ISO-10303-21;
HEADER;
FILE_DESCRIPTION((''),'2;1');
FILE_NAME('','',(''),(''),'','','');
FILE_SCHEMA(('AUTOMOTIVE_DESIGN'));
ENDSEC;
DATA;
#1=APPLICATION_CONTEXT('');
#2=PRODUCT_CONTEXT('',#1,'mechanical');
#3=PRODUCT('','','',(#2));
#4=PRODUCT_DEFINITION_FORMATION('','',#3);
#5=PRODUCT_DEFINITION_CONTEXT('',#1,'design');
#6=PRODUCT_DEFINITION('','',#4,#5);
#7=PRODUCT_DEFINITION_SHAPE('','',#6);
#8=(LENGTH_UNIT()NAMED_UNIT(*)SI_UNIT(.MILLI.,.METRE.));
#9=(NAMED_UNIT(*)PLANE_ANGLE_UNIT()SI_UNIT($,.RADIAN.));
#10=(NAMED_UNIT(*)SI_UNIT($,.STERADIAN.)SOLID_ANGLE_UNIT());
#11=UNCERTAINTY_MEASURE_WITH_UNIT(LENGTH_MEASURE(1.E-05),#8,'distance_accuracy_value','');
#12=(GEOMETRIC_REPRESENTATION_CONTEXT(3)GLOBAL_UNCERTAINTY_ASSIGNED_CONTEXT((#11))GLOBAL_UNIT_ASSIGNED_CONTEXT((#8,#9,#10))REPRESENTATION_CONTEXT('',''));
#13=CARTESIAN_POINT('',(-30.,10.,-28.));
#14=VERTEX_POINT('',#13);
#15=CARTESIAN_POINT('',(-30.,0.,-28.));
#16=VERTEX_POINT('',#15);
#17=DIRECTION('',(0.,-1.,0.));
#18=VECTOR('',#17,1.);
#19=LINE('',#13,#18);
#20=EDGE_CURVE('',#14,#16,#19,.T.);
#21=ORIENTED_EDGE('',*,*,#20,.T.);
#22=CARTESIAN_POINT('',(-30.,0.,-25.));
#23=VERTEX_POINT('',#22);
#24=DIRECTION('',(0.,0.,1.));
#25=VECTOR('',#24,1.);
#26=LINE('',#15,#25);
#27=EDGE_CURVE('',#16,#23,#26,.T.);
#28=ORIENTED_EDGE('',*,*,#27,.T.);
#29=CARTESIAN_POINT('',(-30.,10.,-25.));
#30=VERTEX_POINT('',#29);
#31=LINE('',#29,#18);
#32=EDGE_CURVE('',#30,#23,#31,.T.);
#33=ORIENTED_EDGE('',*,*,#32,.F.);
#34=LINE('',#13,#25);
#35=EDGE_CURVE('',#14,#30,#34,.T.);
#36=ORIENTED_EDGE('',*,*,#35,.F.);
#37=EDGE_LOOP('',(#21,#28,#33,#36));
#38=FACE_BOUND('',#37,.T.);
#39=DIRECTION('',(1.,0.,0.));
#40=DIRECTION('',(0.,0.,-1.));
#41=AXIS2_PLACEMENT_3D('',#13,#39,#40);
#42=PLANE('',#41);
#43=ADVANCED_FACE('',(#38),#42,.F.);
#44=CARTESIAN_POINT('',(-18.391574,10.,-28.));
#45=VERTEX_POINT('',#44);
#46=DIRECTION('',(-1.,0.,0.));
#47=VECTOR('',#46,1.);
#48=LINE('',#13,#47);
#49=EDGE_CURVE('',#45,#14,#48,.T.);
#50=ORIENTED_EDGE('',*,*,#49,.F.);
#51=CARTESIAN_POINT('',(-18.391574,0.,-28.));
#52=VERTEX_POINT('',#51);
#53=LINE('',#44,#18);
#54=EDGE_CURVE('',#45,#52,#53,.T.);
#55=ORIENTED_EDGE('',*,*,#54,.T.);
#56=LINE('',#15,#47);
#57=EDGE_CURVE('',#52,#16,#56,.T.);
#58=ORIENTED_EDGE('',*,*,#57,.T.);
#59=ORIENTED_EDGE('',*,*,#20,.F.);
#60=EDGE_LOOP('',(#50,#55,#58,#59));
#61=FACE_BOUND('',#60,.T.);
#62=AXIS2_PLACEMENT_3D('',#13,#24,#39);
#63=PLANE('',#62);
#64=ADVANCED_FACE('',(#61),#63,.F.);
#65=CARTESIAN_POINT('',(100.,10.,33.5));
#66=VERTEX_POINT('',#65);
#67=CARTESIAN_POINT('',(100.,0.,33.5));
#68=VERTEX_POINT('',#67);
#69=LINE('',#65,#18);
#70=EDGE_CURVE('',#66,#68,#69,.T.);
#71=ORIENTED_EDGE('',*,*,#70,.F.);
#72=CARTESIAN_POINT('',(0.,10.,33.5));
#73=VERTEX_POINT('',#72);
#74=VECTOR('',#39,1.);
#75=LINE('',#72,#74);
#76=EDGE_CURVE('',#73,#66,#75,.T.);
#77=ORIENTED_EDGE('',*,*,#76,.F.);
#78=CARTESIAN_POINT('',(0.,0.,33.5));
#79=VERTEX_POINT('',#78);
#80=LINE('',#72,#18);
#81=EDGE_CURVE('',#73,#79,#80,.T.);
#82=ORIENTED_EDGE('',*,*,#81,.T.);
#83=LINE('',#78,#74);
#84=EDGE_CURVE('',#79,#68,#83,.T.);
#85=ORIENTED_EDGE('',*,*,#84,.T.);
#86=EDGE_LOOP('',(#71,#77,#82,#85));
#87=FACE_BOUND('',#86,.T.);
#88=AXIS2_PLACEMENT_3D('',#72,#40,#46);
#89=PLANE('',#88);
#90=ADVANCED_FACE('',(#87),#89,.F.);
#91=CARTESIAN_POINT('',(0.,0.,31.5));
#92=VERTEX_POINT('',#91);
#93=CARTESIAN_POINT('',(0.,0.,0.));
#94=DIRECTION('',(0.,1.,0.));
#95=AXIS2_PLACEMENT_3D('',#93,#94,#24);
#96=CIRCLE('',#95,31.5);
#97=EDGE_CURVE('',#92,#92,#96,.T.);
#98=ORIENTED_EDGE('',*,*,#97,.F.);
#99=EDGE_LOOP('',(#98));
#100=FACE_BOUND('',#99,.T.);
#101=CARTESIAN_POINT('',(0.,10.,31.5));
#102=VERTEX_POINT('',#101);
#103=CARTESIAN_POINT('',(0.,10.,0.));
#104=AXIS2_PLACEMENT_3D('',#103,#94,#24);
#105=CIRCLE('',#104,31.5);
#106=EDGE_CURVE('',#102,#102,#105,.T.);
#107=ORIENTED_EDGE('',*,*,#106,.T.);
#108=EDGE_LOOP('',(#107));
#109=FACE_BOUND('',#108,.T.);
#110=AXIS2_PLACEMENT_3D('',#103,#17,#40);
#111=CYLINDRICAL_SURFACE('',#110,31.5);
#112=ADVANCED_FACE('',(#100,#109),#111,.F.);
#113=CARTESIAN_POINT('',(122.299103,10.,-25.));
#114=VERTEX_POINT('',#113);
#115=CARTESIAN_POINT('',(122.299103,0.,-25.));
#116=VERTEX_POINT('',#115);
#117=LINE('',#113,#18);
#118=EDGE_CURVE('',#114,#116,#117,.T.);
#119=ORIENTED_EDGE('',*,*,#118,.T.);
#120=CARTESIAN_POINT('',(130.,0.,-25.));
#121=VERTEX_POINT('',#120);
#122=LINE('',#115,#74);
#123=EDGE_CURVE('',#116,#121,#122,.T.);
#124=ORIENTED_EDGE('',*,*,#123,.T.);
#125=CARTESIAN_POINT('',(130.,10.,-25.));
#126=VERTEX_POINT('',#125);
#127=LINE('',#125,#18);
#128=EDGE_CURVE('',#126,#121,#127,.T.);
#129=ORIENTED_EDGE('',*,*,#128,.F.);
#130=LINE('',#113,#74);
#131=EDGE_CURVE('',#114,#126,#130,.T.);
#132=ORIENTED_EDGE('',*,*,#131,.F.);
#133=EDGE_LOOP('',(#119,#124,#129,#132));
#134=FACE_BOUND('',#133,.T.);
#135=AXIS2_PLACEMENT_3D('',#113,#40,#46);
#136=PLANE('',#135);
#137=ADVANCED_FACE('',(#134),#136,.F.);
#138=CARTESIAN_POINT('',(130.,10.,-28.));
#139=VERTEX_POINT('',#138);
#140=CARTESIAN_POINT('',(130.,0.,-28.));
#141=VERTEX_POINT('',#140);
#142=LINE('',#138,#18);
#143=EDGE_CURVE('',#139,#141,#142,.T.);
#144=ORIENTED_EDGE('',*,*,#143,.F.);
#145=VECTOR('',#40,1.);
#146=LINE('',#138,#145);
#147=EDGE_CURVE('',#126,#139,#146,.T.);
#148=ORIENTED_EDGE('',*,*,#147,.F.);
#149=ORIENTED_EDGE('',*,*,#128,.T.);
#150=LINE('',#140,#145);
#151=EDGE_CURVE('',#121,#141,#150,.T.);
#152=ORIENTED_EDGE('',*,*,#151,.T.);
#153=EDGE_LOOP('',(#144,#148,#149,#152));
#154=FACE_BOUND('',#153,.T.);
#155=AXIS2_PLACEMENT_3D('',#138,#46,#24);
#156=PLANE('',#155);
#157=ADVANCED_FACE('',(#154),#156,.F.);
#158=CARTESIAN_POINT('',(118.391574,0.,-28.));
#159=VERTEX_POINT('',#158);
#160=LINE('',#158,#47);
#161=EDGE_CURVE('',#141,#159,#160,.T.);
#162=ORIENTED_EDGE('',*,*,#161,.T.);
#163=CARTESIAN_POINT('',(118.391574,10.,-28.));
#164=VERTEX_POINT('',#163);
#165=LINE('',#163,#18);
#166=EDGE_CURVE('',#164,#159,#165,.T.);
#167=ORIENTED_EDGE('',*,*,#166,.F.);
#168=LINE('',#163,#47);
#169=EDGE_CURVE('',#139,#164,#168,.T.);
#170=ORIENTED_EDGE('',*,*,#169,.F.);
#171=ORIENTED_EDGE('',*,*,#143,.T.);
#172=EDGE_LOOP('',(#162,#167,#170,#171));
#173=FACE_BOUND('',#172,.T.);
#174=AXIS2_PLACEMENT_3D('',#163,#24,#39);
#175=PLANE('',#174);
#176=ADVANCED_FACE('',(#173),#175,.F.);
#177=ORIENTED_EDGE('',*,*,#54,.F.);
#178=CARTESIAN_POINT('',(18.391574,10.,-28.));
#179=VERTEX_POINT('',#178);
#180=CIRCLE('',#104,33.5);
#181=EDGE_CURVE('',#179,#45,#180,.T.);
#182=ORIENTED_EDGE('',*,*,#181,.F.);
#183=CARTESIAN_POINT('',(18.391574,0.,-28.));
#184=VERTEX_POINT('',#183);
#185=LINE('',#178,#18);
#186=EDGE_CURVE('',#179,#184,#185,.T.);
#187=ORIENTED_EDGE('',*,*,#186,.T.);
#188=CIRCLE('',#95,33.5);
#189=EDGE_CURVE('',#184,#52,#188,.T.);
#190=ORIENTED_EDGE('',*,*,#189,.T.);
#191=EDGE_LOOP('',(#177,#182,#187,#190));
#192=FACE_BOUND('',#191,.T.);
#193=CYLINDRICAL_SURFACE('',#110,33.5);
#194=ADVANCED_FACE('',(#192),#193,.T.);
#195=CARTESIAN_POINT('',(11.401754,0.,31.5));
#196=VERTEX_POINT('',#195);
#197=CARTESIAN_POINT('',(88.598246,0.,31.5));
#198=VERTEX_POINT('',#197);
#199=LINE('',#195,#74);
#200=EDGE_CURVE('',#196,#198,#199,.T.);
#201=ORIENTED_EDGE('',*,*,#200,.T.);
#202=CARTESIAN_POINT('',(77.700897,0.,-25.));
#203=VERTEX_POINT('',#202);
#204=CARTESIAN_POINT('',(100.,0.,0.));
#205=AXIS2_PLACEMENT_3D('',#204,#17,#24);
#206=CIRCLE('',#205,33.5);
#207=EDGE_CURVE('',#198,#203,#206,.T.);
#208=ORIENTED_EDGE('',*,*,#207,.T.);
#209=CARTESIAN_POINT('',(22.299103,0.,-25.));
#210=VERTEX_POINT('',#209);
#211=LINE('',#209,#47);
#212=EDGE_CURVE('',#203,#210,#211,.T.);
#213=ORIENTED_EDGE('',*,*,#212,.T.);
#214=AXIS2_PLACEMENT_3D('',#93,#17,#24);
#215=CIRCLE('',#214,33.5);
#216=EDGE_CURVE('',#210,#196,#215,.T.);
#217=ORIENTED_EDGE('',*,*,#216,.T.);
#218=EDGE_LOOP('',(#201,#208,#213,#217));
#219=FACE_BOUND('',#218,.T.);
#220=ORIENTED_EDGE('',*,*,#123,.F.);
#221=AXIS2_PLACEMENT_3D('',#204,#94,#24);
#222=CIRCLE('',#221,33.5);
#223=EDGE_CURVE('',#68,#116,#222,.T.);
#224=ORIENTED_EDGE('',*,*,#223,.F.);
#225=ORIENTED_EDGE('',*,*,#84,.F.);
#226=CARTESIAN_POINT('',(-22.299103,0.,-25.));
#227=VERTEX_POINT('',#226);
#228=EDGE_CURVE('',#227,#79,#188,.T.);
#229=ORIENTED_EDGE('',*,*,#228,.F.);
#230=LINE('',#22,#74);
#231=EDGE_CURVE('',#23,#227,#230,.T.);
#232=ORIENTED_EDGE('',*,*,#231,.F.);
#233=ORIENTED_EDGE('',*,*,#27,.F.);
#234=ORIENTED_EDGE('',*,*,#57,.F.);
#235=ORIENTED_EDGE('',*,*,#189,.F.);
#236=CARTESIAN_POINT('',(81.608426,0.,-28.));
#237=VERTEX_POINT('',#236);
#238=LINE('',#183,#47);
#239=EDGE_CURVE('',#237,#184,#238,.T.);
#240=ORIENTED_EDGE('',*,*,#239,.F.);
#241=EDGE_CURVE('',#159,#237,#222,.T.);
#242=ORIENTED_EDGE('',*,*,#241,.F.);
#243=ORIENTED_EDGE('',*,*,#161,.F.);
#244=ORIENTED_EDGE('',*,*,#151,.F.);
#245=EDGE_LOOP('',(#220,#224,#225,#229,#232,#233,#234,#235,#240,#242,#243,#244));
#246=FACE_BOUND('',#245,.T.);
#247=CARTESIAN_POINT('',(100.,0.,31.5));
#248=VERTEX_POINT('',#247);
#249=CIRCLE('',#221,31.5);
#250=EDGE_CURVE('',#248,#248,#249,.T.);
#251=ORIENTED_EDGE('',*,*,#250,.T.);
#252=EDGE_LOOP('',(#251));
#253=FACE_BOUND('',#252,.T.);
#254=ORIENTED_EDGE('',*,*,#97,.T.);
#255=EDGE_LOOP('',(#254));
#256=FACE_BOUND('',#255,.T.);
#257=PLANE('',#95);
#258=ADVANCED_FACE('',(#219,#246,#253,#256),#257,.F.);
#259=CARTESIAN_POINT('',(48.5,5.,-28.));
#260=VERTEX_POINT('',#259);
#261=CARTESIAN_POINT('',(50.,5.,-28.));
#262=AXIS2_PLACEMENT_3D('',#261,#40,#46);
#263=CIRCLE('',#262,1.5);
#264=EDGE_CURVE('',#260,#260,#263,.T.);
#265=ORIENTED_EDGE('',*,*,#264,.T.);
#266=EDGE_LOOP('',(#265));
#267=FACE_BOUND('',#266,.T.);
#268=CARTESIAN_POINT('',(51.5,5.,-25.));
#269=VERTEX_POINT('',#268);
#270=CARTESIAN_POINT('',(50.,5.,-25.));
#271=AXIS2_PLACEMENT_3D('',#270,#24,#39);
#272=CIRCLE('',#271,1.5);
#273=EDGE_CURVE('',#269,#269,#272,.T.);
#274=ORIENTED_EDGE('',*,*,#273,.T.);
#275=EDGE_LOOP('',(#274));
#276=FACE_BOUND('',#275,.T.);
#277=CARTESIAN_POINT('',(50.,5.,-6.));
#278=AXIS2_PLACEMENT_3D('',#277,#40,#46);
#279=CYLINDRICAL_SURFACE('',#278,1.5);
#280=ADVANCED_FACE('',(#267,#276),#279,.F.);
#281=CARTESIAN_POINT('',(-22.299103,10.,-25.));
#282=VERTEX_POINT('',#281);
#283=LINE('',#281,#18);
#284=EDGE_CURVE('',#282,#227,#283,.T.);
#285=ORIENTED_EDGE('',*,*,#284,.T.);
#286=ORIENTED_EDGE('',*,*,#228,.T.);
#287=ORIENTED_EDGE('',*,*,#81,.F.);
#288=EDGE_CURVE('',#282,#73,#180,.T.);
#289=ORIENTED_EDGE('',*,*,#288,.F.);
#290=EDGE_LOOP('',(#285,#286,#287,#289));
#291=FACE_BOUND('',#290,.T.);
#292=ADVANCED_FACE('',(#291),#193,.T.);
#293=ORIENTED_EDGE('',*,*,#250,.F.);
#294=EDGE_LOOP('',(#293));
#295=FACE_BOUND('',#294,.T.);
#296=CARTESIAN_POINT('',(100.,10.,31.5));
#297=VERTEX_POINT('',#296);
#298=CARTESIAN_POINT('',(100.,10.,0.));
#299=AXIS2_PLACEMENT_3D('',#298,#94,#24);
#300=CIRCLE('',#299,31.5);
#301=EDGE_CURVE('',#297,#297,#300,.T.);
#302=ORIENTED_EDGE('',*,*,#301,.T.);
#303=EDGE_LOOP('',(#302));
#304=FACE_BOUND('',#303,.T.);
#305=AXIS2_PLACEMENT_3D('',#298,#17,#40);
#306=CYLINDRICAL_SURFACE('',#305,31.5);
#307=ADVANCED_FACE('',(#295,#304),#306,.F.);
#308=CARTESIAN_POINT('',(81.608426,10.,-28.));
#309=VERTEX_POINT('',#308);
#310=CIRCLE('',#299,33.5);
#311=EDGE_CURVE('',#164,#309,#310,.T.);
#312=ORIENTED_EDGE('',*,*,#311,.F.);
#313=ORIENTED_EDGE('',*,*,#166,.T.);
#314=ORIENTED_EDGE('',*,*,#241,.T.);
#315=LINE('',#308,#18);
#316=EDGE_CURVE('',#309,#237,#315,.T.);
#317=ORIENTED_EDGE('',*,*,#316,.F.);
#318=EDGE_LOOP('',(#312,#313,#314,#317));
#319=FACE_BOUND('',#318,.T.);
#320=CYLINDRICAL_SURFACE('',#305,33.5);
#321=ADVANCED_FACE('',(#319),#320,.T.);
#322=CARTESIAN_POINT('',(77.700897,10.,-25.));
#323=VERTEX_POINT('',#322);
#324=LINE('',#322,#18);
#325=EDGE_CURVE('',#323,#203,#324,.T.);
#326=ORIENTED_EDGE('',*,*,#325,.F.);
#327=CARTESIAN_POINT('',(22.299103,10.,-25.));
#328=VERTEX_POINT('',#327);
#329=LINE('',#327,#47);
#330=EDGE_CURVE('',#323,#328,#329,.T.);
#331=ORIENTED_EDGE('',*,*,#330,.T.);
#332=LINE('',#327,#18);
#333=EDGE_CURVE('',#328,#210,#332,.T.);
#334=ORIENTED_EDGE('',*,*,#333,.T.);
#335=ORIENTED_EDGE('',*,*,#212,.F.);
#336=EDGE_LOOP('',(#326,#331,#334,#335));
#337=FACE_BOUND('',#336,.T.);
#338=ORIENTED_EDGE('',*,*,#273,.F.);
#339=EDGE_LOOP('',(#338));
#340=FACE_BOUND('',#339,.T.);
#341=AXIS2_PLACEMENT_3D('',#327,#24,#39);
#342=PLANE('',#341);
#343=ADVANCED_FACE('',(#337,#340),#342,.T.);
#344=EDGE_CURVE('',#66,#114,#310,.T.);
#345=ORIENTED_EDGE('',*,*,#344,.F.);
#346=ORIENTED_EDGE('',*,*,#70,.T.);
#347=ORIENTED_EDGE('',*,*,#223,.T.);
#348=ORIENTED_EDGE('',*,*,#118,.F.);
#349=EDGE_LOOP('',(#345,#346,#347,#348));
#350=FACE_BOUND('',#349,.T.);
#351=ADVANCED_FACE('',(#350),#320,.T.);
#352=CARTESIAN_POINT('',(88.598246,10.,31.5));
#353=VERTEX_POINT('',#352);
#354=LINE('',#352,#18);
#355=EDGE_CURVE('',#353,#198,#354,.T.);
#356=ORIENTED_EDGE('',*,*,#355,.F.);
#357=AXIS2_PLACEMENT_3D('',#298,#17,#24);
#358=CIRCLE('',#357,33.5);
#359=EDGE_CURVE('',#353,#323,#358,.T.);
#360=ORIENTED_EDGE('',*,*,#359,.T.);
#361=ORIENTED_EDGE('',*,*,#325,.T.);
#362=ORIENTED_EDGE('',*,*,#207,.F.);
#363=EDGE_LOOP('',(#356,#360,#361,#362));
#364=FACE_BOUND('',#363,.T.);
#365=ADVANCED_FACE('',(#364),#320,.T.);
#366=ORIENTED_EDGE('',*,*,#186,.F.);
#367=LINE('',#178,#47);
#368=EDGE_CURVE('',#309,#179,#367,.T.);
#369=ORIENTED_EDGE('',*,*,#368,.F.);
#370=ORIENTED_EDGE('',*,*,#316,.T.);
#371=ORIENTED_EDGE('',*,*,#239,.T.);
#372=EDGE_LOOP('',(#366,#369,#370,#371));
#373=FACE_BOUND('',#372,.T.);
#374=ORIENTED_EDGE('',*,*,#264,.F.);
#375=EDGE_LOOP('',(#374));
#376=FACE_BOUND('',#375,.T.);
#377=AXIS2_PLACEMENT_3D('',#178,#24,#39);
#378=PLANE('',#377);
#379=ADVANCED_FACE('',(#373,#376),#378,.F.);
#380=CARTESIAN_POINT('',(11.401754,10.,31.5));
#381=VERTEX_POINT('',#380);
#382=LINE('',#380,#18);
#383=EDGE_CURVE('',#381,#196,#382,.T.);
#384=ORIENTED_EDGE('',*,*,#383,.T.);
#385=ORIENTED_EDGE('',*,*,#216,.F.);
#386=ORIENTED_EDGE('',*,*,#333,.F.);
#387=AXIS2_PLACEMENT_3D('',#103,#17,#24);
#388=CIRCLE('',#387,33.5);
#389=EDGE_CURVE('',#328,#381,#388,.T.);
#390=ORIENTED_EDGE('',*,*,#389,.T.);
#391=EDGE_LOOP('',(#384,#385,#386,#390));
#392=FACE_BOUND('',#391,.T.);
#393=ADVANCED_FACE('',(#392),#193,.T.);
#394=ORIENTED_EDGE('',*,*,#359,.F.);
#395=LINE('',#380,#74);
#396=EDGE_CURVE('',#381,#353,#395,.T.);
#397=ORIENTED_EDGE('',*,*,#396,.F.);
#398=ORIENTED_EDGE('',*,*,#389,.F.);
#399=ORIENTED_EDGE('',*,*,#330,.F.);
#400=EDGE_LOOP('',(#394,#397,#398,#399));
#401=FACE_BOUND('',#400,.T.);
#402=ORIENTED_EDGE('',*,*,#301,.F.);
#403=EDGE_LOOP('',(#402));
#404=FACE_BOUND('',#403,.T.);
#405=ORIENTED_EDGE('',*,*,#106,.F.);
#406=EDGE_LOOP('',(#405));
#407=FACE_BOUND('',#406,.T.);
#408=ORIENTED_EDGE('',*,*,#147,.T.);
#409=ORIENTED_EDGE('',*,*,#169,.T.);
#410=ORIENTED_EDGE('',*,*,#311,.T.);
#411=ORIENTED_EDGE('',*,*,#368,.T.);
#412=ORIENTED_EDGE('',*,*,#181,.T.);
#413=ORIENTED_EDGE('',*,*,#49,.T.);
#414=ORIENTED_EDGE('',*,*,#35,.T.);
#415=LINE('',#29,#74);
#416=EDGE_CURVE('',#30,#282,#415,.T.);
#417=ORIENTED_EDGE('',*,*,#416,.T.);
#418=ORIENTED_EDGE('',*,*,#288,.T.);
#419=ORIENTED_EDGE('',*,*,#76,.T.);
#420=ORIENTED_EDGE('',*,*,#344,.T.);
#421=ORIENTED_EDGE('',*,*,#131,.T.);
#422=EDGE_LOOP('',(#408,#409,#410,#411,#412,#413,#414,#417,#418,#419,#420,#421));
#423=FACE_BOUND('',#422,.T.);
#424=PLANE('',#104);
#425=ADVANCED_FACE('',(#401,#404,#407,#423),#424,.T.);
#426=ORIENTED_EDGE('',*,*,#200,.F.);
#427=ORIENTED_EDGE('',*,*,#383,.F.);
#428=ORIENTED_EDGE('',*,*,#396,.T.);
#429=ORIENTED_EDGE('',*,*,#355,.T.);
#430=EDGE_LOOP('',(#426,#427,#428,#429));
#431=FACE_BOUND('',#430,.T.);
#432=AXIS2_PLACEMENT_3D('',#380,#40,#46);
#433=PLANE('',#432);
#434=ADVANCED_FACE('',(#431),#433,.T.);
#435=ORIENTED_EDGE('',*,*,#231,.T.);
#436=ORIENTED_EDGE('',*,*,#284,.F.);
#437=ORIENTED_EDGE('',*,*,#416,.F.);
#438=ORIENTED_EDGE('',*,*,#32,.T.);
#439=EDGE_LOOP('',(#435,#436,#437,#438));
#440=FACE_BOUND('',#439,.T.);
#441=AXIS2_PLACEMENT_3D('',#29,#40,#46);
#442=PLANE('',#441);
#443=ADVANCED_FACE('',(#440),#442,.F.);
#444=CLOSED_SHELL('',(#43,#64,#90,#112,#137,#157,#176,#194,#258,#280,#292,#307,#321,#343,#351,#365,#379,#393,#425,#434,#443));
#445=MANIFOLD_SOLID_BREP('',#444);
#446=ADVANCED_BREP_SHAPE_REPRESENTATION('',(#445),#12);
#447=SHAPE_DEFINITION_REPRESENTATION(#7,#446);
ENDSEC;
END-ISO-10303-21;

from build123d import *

# Parameters (mm, degrees)
SKETCH3_R           = 31.5
BOSS_EXTRUDE5_DEPTH = 10
SKETCH4_R           = 1.5
CUT_EXTRUDE1_DEPTH  = 22


with BuildPart() as part:
    # Sketch3 → Boss-Extrude5 (new body)
    with BuildSketch(Plane(origin=(0, 0, 0), x_dir=(1, 0, 0), z_dir=(0, 1, 0))):
        with BuildLine():
            Line((-30, 28), (-18.391574158, 28))
            ThreePointArc((-18.391574158, 28), (0, 33.5), (18.391574158, 28))
            Line((18.391574158, 28), (81.608425842, 28))
            ThreePointArc((81.608425842, 28), (100, 33.5), (118.391574158, 28))
            Line((118.391574158, 28), (130, 28))
            Line((130, 28), (130, 25))
            Line((130, 25), (122.299103121, 25))
            ThreePointArc((122.299103121, 25), (131.302955132, -11.932099564), (100, -33.5))
            Line((100, -33.5), (0, -33.5))
            ThreePointArc((0, -33.5), (-31.302955132, -11.932099564), (-22.299103121, 25))
            Line((-22.299103121, 25), (-30, 25))
            Line((-30, 25), (-30, 28))
        make_face()
        with Locations(Location((0, 0, 0), (0, 0, 270))):
            Circle(SKETCH3_R, mode=Mode.SUBTRACT)
        with Locations(Location((100, 0, 0), (0, 0, 270))):
            Circle(SKETCH3_R, mode=Mode.SUBTRACT)
        with BuildLine():
            Line((22.299103121, 25), (77.700896879, 25))
            ThreePointArc((77.700896879, 25), (67.106240001, -6.34433236), (88.598245749, -31.5))
            Line((88.598245749, -31.5), (11.401754251, -31.5))
            ThreePointArc((11.401754251, -31.5), (32.893759999, -6.34433236), (22.299103121, 25))
        make_face(mode=Mode.SUBTRACT)
    extrude(amount=BOSS_EXTRUDE5_DEPTH)

    # Sketch4 → Cut-Extrude1 (cut)
    with BuildSketch(Plane(origin=(0, 0, -28), x_dir=(-1, 0, 0), z_dir=(0, 0, -1))):
        with Locations((-50, 5)):
            Circle(SKETCH4_R)
    extrude(amount=-CUT_EXTRUDE1_DEPTH, mode=Mode.SUBTRACT)


solid = part.part
